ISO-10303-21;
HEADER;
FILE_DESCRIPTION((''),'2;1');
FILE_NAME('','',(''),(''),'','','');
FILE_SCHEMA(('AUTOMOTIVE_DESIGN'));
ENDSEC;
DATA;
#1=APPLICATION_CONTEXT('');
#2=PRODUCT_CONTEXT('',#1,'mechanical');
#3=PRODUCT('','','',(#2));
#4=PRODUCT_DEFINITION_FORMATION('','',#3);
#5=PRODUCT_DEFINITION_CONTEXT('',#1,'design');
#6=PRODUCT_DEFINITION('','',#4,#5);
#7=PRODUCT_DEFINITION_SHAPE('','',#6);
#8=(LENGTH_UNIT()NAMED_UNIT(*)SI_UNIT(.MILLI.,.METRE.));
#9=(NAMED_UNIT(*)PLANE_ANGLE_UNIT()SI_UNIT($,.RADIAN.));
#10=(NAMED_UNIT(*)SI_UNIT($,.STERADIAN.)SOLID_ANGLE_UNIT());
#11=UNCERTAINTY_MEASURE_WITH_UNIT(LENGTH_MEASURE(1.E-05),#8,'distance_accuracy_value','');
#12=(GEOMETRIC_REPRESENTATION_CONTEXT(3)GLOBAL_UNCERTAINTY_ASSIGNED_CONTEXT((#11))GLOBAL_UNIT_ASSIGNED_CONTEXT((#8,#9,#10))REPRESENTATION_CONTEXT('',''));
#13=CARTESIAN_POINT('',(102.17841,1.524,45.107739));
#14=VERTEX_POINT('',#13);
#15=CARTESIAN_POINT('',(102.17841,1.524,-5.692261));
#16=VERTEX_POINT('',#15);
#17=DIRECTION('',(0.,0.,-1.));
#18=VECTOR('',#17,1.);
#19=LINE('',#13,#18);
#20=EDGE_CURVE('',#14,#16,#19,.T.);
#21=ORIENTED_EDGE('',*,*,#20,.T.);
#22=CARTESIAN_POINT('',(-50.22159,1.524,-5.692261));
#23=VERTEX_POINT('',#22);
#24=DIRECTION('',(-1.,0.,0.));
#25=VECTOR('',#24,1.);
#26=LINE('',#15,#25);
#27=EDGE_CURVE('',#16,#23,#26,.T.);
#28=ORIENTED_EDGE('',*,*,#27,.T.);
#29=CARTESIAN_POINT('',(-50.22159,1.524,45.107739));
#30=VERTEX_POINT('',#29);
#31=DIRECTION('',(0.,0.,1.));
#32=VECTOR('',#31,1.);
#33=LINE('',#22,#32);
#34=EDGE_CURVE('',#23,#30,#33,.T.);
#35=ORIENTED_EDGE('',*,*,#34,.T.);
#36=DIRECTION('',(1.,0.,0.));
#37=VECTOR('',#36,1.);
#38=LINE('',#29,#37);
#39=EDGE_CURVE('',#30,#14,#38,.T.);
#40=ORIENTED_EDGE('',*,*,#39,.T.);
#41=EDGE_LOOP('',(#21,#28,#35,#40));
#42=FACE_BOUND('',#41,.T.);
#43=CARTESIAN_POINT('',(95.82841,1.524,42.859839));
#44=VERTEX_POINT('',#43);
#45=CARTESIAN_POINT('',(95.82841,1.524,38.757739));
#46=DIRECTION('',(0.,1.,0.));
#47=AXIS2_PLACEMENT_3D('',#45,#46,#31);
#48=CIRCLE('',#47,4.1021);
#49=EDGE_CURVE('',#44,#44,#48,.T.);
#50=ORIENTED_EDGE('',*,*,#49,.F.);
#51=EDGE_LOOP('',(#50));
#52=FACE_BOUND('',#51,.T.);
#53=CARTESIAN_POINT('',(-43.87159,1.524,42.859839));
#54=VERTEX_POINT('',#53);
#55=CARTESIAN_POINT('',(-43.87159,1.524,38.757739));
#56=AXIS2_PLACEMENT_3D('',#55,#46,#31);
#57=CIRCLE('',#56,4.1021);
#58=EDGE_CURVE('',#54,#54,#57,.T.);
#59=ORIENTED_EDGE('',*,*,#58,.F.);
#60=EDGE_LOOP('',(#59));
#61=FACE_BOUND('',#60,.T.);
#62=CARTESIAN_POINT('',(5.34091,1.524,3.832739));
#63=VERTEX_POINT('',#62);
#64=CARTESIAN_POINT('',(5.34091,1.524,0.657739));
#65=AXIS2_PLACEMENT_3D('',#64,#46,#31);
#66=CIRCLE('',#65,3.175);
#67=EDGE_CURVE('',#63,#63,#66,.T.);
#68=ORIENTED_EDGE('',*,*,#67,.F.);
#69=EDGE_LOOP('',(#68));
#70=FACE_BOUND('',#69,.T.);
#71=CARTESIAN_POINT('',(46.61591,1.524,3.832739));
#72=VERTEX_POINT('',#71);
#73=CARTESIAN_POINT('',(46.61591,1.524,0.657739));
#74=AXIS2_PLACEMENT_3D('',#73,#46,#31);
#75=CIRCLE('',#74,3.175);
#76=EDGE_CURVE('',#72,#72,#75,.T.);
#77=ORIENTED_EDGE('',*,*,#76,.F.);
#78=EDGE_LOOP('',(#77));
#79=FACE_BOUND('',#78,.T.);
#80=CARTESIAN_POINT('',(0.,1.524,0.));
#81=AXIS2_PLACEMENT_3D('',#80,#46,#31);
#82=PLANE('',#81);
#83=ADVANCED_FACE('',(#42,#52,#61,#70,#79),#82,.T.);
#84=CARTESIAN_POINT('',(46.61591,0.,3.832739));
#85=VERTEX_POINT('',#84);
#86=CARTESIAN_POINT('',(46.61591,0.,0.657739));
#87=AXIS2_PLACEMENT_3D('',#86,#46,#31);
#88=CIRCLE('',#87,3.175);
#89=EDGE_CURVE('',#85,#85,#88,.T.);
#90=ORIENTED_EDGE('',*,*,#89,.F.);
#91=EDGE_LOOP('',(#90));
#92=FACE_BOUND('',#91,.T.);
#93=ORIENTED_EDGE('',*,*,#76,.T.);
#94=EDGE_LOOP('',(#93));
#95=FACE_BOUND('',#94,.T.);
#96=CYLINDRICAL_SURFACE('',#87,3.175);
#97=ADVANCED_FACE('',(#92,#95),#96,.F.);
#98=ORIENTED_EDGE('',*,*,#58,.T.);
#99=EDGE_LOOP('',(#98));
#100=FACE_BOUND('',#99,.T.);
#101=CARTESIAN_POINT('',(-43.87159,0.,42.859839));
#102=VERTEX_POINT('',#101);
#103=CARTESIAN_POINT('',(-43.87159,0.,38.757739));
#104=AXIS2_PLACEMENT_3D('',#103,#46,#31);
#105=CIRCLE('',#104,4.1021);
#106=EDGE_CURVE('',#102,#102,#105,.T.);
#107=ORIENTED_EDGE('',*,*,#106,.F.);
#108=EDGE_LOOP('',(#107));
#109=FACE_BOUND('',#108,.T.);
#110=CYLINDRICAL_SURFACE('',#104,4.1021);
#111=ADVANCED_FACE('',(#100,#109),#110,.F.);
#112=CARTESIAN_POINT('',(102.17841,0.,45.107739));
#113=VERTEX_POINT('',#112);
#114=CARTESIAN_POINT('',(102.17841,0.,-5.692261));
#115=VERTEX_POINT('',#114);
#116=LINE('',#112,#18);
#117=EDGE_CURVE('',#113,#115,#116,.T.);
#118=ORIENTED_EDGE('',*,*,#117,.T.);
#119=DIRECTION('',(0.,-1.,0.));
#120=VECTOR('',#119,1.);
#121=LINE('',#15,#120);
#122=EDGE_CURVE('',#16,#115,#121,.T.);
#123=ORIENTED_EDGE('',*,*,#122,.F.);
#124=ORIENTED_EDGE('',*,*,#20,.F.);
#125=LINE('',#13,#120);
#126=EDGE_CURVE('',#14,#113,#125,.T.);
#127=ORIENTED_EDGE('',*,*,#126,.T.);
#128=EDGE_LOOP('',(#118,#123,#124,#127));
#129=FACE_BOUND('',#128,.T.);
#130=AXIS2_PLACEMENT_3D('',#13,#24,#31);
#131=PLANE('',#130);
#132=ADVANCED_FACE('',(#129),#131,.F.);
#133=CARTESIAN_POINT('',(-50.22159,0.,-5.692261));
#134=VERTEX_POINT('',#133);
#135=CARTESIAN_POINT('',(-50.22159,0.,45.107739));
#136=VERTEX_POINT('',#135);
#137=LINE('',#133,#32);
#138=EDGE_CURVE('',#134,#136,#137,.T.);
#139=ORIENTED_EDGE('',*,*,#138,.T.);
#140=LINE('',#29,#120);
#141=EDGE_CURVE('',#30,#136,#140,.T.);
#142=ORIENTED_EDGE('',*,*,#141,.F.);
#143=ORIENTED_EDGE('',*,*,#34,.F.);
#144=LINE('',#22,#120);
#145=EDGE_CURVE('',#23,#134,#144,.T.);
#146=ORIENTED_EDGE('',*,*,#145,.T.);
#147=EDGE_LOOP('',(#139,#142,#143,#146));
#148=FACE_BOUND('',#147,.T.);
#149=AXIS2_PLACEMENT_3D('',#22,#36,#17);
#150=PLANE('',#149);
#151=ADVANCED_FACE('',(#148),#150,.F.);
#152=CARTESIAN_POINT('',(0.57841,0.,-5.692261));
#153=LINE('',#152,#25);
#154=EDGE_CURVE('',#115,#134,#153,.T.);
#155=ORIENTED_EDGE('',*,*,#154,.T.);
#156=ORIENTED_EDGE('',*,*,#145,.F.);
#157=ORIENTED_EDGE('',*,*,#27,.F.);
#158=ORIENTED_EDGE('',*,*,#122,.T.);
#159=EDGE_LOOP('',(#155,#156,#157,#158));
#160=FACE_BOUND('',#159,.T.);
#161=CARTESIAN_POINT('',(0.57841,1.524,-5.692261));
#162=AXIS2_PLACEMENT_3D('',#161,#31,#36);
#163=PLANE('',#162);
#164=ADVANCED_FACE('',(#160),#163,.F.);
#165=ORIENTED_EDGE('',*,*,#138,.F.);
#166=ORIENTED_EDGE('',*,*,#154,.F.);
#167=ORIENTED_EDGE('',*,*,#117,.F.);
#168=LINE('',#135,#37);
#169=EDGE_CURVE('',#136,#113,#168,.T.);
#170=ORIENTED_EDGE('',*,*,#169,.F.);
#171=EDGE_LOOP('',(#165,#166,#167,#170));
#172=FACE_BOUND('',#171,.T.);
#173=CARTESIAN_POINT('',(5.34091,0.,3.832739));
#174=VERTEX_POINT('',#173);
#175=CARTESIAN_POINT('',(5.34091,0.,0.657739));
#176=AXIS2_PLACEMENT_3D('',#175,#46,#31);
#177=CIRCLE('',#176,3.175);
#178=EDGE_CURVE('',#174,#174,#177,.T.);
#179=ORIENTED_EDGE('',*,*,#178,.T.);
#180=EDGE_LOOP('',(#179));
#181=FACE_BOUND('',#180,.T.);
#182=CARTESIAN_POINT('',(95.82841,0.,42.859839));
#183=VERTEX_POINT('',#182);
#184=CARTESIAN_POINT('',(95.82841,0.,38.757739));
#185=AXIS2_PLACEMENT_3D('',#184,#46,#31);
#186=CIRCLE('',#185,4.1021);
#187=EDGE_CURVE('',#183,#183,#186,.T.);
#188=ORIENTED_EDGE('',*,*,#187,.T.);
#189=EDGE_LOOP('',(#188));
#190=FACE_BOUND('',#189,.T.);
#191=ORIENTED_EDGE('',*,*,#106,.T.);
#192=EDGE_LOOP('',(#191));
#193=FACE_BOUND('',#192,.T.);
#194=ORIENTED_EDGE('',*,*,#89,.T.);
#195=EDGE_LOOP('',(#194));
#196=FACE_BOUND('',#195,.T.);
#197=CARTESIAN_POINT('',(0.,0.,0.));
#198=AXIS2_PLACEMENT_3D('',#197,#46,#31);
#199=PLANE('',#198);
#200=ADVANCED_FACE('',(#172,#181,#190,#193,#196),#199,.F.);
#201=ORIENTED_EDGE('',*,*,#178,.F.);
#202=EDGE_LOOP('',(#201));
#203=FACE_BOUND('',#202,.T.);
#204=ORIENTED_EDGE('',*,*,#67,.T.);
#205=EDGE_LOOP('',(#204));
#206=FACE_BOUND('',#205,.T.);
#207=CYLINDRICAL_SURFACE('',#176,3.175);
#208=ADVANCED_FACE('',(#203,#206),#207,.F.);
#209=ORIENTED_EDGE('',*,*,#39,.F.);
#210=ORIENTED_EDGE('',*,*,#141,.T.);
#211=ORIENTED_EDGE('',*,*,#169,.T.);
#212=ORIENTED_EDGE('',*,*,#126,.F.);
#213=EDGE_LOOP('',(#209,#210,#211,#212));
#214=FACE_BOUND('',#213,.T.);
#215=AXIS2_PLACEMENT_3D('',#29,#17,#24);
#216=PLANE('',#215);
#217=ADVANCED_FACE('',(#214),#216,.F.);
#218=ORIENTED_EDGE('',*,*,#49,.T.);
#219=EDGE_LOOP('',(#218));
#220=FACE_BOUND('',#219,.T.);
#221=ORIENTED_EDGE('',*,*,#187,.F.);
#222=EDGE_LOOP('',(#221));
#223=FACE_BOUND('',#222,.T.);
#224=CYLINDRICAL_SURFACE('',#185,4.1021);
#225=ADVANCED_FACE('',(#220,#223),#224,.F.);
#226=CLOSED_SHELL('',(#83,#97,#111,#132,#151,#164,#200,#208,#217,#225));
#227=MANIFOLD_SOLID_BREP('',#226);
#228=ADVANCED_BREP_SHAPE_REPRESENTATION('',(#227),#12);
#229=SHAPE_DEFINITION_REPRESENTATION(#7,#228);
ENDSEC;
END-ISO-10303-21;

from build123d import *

# Parameters (mm, degrees)
BOSS_EXTRUDE1_DEPTH = 1.524
SKETCH2_R           = 4.1021
SKETCH2_R_2         = 3.175
CUT_EXTRUDE1_DEPTH  = 2.524


with BuildPart() as part:
    # Sketch1 → Boss-Extrude1 (new body)
    with BuildSketch(Plane(origin=(0, 0, 0), x_dir=(1, 0, 0), z_dir=(0, 1, 0))):
        Polygon((-50.221590033, -45.107739437), (102.178409967, -45.107739437), (102.178409967, 5.692260563), (51.378409967, 5.692260563), (0.578409967, 5.692260563), (-50.221590033, 5.692260563), align=None)
    extrude(amount=BOSS_EXTRUDE1_DEPTH)

    # Sketch2 → Cut-Extrude1 (cut, through all)
    with BuildSketch(Plane(origin=(0, 1.524, 0), x_dir=(1, 0, 0), z_dir=(0, 1, 0))):
        with Locations((-43.871590033, -38.757739437)):
            Circle(SKETCH2_R)
        with Locations((95.828409967, -38.757739437)):
            Circle(SKETCH2_R)
        with Locations((46.615909967, -0.657739437)):
            Circle(SKETCH2_R_2)
        with Locations((5.340909967, -0.657739437)):
            Circle(SKETCH2_R_2)
    extrude(amount=-CUT_EXTRUDE1_DEPTH, mode=Mode.SUBTRACT)


solid = part.part
